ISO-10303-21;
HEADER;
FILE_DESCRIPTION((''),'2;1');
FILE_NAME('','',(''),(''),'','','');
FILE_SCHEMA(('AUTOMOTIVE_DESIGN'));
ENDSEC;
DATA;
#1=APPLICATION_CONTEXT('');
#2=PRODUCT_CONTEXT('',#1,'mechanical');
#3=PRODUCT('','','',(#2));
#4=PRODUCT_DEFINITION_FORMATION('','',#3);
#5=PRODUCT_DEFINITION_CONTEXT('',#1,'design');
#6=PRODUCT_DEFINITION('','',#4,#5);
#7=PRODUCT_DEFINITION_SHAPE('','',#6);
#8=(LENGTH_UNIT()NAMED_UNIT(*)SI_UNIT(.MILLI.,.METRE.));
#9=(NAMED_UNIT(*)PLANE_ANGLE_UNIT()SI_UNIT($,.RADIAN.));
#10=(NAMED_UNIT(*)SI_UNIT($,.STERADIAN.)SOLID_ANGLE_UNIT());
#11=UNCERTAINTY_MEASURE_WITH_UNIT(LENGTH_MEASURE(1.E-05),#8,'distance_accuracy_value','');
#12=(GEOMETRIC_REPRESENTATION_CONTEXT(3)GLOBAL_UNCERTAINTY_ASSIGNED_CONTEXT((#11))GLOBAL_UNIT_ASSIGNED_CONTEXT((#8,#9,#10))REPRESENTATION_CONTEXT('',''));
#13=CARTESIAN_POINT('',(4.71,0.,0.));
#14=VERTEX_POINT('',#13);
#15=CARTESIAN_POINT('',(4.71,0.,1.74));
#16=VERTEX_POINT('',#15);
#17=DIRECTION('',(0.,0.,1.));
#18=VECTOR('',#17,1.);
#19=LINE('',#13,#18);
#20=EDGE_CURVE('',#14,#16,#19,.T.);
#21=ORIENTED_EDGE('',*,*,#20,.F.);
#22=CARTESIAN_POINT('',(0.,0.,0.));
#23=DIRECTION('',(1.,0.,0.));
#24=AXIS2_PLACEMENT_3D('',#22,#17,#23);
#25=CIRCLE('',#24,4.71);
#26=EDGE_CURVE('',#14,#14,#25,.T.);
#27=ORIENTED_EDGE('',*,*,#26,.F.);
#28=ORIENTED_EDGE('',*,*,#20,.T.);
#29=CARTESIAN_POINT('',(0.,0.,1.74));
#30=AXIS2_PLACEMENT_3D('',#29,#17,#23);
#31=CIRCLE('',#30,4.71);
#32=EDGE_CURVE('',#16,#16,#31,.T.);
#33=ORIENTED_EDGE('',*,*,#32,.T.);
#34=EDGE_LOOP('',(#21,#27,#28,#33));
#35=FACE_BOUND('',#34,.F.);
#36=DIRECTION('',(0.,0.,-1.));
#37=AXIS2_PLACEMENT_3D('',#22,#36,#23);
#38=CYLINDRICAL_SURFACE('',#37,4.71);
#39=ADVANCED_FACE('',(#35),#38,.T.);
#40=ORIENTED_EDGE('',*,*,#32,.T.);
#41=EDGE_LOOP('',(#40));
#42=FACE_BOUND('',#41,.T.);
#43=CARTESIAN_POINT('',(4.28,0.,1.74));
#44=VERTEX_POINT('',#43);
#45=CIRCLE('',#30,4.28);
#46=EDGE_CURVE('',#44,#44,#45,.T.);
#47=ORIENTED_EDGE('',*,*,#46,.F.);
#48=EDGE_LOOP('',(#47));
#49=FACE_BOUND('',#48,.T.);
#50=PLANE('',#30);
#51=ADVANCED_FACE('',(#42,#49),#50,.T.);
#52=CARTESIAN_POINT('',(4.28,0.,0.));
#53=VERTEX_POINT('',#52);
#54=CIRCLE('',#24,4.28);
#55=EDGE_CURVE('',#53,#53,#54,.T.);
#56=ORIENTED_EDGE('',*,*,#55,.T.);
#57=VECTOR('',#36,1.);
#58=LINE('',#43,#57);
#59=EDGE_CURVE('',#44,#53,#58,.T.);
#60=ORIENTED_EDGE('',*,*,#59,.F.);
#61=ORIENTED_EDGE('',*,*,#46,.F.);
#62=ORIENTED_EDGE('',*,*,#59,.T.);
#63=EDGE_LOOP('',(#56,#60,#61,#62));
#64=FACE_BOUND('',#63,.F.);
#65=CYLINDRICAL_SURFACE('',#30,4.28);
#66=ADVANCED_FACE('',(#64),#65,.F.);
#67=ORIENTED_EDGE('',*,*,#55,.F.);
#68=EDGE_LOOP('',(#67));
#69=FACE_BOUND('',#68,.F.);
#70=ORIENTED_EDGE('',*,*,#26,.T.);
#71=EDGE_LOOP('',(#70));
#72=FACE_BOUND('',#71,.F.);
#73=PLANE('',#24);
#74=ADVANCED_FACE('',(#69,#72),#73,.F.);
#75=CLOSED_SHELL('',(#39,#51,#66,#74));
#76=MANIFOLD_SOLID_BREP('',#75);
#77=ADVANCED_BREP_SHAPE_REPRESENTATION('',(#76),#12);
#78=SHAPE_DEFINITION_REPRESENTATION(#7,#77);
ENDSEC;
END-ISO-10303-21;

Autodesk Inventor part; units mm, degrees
ref_plane "YZ Plane" through (0, 0, 0) normal (1, 0, 0) x (0, 1, 0)
ref_plane "XZ Plane" through (0, 0, 0) normal (0, 1, 0) x (-1, 0, 0)
ref_plane "XY Plane" through (0, 0, 0) normal (0, 0, 1) x (1, 0, 0)
sketch "Sketch1" plane through (0, 0, 0) normal (0, 0, 1) x (1, 0, 0)
  circle A0 centre (0, 0) radius 4.71
  dimension "d0" = 9.42
extrude "Extrusion1" add sketch "Sketch1" along normal blind 1.74
sketch "Sketch2" plane through (0, 0, 1.74) normal (0, 0, 1) x (1, 0, 0)
  circle A0 centre (0, 0) radius 4.28
  dimension "d3" = 8.56
extrude "Extrusion2" cut sketch "Sketch2" against normal through all
properties part number "MIRROR_D"
